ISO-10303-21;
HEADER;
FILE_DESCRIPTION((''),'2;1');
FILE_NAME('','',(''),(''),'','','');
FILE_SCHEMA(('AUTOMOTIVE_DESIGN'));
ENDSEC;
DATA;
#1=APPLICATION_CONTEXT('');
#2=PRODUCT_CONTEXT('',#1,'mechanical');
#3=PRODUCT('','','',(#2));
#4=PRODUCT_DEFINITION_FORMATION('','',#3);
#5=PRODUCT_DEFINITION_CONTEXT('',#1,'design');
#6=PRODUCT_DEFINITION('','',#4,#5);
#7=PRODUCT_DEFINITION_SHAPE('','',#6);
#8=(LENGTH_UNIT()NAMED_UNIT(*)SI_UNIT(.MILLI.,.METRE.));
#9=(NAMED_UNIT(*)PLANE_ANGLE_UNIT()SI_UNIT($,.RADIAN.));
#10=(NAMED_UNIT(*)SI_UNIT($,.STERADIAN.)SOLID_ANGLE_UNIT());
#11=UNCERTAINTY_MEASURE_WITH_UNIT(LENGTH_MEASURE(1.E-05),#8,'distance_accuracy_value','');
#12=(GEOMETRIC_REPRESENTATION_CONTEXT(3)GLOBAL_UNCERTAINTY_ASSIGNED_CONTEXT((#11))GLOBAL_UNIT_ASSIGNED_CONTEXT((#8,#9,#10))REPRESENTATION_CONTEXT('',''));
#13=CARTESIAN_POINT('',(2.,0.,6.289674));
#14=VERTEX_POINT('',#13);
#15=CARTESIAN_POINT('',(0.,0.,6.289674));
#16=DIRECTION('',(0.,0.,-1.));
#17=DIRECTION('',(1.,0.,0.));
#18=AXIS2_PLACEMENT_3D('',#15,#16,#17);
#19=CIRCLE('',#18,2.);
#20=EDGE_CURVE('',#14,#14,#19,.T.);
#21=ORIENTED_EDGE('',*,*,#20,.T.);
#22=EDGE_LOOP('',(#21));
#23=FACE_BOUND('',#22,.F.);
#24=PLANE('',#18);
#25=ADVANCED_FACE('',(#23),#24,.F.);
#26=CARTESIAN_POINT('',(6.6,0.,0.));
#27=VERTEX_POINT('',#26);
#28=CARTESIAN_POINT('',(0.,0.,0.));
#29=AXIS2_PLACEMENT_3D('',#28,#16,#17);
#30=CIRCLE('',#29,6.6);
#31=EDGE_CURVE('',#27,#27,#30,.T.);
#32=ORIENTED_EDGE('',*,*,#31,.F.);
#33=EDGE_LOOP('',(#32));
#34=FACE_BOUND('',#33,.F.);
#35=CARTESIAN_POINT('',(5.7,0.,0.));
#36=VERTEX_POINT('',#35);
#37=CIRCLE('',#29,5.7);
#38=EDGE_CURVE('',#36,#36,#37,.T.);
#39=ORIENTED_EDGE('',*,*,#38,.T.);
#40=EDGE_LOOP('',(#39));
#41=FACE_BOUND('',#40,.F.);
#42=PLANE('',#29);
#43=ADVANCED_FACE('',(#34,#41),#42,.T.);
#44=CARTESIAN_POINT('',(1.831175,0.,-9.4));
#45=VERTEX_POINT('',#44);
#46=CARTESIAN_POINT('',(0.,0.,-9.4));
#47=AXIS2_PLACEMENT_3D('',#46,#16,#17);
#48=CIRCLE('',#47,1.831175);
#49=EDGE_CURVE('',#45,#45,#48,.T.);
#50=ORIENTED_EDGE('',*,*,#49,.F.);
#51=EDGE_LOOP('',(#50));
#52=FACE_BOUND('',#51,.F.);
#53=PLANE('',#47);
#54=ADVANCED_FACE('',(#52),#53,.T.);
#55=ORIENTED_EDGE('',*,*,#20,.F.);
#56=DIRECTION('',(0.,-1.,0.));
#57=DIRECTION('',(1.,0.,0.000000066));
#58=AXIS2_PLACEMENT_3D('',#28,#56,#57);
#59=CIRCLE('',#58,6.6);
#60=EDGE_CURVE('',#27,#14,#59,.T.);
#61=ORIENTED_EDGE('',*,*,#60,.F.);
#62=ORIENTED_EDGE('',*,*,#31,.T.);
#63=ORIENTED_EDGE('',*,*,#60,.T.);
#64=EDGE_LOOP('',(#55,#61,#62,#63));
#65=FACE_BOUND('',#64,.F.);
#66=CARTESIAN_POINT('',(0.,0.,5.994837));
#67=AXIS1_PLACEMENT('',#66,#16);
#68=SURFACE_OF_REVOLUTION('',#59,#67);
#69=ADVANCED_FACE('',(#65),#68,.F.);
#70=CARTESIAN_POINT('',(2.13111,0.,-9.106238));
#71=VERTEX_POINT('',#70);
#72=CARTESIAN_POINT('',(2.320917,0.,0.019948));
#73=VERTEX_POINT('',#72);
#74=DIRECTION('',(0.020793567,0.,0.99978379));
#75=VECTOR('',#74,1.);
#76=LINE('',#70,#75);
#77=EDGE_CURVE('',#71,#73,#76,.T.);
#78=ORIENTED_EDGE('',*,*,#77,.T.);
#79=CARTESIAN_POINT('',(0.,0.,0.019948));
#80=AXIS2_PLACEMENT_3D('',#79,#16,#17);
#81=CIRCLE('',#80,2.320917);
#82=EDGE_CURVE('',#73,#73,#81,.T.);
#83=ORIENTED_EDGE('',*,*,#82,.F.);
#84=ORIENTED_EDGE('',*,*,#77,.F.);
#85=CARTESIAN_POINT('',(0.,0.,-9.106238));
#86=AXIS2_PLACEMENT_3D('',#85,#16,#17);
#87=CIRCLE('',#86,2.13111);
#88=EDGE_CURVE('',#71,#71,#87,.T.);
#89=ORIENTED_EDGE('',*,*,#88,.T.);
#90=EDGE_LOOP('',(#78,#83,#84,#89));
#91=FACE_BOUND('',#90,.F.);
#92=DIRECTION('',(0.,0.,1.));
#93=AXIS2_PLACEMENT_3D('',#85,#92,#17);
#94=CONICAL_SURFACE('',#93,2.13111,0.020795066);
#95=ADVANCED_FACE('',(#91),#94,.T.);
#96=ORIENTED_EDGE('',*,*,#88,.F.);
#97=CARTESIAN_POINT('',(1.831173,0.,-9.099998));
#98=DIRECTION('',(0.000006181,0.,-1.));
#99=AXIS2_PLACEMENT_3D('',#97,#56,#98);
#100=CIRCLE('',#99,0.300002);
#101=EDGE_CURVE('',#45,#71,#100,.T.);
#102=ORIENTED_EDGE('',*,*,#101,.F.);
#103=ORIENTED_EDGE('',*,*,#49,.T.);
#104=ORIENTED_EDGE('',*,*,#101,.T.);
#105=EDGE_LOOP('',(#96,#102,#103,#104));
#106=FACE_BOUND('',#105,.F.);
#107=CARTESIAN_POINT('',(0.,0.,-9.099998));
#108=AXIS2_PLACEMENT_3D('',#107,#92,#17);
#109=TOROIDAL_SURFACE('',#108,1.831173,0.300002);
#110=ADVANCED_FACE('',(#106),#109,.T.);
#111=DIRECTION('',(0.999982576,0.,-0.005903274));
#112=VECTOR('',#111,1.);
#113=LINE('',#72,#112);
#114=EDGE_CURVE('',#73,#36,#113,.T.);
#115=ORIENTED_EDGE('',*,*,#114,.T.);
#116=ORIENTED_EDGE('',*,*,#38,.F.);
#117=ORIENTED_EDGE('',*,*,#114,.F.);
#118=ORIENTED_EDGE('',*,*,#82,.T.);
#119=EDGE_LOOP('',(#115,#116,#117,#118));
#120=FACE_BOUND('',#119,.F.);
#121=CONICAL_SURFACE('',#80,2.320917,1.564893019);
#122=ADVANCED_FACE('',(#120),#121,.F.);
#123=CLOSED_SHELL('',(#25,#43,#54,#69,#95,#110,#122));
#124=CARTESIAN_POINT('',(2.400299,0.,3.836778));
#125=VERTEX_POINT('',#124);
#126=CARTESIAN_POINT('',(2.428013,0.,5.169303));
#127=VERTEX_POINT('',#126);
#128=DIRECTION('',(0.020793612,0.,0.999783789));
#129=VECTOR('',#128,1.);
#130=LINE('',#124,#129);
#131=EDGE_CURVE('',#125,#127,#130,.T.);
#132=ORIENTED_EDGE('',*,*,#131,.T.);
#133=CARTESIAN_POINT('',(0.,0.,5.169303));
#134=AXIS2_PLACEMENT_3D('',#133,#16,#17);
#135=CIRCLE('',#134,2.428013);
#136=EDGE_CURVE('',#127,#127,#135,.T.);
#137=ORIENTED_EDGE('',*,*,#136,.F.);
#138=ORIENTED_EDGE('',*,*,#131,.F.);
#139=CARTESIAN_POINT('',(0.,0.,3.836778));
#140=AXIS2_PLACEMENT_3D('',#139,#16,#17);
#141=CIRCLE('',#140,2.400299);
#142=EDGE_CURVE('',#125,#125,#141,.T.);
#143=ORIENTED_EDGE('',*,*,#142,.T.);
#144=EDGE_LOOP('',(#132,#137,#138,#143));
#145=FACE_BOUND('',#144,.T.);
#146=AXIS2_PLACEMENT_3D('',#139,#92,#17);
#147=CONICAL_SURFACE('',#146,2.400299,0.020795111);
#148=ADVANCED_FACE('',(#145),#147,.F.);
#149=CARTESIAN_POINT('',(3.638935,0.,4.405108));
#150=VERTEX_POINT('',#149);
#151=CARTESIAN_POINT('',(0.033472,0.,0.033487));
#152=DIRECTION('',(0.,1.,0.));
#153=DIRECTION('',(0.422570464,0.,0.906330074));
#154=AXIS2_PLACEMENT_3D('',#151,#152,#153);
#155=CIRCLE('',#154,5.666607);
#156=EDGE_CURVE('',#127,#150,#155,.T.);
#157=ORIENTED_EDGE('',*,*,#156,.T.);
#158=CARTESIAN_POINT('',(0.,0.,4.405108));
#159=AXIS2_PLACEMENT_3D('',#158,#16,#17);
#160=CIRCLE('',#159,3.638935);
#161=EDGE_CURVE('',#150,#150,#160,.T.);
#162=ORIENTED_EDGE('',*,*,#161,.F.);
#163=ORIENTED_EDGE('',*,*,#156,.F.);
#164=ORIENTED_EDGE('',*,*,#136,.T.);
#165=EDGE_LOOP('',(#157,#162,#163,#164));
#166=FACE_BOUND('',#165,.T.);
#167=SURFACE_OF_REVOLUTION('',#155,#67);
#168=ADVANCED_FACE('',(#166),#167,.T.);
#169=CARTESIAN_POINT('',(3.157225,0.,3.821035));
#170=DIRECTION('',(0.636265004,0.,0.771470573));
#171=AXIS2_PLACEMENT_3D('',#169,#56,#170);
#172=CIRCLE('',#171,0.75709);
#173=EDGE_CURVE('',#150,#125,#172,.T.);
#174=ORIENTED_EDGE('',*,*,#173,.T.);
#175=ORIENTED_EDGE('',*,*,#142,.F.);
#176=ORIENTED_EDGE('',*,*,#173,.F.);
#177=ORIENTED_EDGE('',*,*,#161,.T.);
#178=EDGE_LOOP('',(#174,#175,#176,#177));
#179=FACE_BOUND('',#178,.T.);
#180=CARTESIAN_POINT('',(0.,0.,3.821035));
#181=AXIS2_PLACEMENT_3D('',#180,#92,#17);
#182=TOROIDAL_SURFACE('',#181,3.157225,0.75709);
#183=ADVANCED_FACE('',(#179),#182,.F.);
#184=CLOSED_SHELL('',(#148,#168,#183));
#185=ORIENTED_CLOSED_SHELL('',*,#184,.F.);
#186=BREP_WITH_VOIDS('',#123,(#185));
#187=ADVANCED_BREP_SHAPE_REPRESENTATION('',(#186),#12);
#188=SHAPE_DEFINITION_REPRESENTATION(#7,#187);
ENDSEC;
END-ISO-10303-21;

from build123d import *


with BuildPart() as f1:
    # F0 (on Front) → F1 (revolve)
    with BuildSketch(Plane.XZ):
        with BuildLine():
            Line((5.7, 0), (6.6, 0))
            ThreePointArc((6.6, 0), (5.327288, 3.896152), (2, 6.289674))
            Line((2, 6.289674), (0, 6.289674))
            Line((0, 6.289674), (0, 5.7))
            ThreePointArc((0, 5.7), (1.24346, 5.569404), (2.428013, 5.169303))
            ThreePointArc((2.428013, 5.169303), (3.057709, 4.825608), (3.638935, 4.405108))
            ThreePointArc((3.638935, 4.405108), (5.166081, 2.43491), (5.7, 0))
        make_face()
        with BuildLine():
            Line((2.320917, 0.019948), (5.7, 0))
            ThreePointArc((5.7, 0), (5.166081, 2.43491), (3.638935, 4.405108))
            ThreePointArc((3.638935, 4.405108), (2.841494, 4.509148), (2.400299, 3.836778))
            Line((2.400299, 3.836778), (2.320917, 0.019948))
        make_face()
        with BuildLine():
            Line((2.13111, -9.106238), (2.320917, 0.019948))
            Line((2.320917, 0.019948), (2.400299, 3.836778))
            Line((2.400299, 3.836778), (2.428013, 5.169303))
            ThreePointArc((2.428013, 5.169303), (1.24346, 5.569404), (0, 5.7))
            Line((0, 5.7), (0, -9.4))
            Line((0, -9.4), (1.831175, -9.4))
            ThreePointArc((1.831175, -9.4), (2.041089, -9.314326), (2.13111, -9.106238))
        make_face()
    revolve(axis=Axis((0, 0, 5.994837), (0, 0, -1)))


solid = f1.part
